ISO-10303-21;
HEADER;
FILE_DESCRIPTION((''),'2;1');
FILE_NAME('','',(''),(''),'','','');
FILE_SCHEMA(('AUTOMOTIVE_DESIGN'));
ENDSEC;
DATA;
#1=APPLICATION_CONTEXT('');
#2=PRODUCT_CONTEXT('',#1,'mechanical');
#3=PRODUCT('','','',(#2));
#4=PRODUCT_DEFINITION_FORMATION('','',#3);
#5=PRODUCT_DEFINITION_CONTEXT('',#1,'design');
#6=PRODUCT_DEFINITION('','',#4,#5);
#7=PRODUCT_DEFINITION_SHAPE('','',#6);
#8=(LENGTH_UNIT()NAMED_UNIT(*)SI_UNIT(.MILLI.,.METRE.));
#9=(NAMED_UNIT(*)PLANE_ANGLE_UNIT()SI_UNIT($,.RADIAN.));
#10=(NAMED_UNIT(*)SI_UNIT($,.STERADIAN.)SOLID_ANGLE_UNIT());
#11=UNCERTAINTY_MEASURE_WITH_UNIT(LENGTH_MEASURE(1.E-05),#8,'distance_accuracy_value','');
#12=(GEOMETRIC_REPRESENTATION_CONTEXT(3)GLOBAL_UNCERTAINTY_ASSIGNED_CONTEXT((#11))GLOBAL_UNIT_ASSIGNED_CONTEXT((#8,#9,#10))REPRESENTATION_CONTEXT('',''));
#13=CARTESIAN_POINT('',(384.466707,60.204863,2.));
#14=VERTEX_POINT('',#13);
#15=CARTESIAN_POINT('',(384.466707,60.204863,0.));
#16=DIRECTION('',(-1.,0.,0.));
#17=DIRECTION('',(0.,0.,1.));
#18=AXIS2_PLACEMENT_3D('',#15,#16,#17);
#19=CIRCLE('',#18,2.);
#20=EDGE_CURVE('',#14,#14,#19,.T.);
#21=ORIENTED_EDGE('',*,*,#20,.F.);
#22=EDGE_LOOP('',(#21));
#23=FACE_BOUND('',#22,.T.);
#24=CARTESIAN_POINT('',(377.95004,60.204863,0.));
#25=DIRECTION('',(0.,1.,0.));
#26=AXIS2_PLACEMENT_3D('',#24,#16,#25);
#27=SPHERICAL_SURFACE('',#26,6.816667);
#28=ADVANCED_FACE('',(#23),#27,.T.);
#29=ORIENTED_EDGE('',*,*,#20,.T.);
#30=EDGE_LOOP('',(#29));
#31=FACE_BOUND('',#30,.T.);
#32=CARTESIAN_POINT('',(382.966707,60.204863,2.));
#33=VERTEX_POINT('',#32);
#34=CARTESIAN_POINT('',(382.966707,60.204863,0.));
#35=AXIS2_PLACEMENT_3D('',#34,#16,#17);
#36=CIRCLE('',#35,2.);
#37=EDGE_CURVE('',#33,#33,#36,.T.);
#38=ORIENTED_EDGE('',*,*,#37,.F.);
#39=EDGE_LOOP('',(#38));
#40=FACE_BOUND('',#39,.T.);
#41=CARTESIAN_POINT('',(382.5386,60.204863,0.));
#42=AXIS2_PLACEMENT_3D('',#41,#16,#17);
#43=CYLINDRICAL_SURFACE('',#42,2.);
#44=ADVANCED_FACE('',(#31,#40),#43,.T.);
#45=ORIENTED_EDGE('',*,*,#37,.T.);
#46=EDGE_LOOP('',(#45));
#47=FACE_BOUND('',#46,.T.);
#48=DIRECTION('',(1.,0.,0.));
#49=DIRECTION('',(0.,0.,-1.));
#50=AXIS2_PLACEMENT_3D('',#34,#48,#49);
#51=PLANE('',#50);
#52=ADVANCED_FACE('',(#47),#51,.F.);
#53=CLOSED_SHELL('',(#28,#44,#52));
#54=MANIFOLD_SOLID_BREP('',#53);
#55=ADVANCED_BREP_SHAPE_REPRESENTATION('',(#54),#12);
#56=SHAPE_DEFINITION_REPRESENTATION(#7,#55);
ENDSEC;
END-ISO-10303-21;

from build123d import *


with BuildPart() as part:
    # 草图1 → 旋转1 (revolve)
    with BuildSketch(Plane.XY):
        with BuildLine():
            Line((382.966706532, 60.204863237), (382.966706532, 62.204863237))
            Line((382.966706532, 62.204863237), (384.466706532, 62.204863237))
            ThreePointArc((384.466706532, 62.204863237), (384.691289337, 61.216050658), (384.766706532, 60.204863237))
            Line((384.766706532, 60.204863237), (382.966706532, 60.204863237))
        make_face()
    revolve(axis=Axis((382.538599838, 60.204863237, 0), (1, 0, 0)))


solid = part.part
